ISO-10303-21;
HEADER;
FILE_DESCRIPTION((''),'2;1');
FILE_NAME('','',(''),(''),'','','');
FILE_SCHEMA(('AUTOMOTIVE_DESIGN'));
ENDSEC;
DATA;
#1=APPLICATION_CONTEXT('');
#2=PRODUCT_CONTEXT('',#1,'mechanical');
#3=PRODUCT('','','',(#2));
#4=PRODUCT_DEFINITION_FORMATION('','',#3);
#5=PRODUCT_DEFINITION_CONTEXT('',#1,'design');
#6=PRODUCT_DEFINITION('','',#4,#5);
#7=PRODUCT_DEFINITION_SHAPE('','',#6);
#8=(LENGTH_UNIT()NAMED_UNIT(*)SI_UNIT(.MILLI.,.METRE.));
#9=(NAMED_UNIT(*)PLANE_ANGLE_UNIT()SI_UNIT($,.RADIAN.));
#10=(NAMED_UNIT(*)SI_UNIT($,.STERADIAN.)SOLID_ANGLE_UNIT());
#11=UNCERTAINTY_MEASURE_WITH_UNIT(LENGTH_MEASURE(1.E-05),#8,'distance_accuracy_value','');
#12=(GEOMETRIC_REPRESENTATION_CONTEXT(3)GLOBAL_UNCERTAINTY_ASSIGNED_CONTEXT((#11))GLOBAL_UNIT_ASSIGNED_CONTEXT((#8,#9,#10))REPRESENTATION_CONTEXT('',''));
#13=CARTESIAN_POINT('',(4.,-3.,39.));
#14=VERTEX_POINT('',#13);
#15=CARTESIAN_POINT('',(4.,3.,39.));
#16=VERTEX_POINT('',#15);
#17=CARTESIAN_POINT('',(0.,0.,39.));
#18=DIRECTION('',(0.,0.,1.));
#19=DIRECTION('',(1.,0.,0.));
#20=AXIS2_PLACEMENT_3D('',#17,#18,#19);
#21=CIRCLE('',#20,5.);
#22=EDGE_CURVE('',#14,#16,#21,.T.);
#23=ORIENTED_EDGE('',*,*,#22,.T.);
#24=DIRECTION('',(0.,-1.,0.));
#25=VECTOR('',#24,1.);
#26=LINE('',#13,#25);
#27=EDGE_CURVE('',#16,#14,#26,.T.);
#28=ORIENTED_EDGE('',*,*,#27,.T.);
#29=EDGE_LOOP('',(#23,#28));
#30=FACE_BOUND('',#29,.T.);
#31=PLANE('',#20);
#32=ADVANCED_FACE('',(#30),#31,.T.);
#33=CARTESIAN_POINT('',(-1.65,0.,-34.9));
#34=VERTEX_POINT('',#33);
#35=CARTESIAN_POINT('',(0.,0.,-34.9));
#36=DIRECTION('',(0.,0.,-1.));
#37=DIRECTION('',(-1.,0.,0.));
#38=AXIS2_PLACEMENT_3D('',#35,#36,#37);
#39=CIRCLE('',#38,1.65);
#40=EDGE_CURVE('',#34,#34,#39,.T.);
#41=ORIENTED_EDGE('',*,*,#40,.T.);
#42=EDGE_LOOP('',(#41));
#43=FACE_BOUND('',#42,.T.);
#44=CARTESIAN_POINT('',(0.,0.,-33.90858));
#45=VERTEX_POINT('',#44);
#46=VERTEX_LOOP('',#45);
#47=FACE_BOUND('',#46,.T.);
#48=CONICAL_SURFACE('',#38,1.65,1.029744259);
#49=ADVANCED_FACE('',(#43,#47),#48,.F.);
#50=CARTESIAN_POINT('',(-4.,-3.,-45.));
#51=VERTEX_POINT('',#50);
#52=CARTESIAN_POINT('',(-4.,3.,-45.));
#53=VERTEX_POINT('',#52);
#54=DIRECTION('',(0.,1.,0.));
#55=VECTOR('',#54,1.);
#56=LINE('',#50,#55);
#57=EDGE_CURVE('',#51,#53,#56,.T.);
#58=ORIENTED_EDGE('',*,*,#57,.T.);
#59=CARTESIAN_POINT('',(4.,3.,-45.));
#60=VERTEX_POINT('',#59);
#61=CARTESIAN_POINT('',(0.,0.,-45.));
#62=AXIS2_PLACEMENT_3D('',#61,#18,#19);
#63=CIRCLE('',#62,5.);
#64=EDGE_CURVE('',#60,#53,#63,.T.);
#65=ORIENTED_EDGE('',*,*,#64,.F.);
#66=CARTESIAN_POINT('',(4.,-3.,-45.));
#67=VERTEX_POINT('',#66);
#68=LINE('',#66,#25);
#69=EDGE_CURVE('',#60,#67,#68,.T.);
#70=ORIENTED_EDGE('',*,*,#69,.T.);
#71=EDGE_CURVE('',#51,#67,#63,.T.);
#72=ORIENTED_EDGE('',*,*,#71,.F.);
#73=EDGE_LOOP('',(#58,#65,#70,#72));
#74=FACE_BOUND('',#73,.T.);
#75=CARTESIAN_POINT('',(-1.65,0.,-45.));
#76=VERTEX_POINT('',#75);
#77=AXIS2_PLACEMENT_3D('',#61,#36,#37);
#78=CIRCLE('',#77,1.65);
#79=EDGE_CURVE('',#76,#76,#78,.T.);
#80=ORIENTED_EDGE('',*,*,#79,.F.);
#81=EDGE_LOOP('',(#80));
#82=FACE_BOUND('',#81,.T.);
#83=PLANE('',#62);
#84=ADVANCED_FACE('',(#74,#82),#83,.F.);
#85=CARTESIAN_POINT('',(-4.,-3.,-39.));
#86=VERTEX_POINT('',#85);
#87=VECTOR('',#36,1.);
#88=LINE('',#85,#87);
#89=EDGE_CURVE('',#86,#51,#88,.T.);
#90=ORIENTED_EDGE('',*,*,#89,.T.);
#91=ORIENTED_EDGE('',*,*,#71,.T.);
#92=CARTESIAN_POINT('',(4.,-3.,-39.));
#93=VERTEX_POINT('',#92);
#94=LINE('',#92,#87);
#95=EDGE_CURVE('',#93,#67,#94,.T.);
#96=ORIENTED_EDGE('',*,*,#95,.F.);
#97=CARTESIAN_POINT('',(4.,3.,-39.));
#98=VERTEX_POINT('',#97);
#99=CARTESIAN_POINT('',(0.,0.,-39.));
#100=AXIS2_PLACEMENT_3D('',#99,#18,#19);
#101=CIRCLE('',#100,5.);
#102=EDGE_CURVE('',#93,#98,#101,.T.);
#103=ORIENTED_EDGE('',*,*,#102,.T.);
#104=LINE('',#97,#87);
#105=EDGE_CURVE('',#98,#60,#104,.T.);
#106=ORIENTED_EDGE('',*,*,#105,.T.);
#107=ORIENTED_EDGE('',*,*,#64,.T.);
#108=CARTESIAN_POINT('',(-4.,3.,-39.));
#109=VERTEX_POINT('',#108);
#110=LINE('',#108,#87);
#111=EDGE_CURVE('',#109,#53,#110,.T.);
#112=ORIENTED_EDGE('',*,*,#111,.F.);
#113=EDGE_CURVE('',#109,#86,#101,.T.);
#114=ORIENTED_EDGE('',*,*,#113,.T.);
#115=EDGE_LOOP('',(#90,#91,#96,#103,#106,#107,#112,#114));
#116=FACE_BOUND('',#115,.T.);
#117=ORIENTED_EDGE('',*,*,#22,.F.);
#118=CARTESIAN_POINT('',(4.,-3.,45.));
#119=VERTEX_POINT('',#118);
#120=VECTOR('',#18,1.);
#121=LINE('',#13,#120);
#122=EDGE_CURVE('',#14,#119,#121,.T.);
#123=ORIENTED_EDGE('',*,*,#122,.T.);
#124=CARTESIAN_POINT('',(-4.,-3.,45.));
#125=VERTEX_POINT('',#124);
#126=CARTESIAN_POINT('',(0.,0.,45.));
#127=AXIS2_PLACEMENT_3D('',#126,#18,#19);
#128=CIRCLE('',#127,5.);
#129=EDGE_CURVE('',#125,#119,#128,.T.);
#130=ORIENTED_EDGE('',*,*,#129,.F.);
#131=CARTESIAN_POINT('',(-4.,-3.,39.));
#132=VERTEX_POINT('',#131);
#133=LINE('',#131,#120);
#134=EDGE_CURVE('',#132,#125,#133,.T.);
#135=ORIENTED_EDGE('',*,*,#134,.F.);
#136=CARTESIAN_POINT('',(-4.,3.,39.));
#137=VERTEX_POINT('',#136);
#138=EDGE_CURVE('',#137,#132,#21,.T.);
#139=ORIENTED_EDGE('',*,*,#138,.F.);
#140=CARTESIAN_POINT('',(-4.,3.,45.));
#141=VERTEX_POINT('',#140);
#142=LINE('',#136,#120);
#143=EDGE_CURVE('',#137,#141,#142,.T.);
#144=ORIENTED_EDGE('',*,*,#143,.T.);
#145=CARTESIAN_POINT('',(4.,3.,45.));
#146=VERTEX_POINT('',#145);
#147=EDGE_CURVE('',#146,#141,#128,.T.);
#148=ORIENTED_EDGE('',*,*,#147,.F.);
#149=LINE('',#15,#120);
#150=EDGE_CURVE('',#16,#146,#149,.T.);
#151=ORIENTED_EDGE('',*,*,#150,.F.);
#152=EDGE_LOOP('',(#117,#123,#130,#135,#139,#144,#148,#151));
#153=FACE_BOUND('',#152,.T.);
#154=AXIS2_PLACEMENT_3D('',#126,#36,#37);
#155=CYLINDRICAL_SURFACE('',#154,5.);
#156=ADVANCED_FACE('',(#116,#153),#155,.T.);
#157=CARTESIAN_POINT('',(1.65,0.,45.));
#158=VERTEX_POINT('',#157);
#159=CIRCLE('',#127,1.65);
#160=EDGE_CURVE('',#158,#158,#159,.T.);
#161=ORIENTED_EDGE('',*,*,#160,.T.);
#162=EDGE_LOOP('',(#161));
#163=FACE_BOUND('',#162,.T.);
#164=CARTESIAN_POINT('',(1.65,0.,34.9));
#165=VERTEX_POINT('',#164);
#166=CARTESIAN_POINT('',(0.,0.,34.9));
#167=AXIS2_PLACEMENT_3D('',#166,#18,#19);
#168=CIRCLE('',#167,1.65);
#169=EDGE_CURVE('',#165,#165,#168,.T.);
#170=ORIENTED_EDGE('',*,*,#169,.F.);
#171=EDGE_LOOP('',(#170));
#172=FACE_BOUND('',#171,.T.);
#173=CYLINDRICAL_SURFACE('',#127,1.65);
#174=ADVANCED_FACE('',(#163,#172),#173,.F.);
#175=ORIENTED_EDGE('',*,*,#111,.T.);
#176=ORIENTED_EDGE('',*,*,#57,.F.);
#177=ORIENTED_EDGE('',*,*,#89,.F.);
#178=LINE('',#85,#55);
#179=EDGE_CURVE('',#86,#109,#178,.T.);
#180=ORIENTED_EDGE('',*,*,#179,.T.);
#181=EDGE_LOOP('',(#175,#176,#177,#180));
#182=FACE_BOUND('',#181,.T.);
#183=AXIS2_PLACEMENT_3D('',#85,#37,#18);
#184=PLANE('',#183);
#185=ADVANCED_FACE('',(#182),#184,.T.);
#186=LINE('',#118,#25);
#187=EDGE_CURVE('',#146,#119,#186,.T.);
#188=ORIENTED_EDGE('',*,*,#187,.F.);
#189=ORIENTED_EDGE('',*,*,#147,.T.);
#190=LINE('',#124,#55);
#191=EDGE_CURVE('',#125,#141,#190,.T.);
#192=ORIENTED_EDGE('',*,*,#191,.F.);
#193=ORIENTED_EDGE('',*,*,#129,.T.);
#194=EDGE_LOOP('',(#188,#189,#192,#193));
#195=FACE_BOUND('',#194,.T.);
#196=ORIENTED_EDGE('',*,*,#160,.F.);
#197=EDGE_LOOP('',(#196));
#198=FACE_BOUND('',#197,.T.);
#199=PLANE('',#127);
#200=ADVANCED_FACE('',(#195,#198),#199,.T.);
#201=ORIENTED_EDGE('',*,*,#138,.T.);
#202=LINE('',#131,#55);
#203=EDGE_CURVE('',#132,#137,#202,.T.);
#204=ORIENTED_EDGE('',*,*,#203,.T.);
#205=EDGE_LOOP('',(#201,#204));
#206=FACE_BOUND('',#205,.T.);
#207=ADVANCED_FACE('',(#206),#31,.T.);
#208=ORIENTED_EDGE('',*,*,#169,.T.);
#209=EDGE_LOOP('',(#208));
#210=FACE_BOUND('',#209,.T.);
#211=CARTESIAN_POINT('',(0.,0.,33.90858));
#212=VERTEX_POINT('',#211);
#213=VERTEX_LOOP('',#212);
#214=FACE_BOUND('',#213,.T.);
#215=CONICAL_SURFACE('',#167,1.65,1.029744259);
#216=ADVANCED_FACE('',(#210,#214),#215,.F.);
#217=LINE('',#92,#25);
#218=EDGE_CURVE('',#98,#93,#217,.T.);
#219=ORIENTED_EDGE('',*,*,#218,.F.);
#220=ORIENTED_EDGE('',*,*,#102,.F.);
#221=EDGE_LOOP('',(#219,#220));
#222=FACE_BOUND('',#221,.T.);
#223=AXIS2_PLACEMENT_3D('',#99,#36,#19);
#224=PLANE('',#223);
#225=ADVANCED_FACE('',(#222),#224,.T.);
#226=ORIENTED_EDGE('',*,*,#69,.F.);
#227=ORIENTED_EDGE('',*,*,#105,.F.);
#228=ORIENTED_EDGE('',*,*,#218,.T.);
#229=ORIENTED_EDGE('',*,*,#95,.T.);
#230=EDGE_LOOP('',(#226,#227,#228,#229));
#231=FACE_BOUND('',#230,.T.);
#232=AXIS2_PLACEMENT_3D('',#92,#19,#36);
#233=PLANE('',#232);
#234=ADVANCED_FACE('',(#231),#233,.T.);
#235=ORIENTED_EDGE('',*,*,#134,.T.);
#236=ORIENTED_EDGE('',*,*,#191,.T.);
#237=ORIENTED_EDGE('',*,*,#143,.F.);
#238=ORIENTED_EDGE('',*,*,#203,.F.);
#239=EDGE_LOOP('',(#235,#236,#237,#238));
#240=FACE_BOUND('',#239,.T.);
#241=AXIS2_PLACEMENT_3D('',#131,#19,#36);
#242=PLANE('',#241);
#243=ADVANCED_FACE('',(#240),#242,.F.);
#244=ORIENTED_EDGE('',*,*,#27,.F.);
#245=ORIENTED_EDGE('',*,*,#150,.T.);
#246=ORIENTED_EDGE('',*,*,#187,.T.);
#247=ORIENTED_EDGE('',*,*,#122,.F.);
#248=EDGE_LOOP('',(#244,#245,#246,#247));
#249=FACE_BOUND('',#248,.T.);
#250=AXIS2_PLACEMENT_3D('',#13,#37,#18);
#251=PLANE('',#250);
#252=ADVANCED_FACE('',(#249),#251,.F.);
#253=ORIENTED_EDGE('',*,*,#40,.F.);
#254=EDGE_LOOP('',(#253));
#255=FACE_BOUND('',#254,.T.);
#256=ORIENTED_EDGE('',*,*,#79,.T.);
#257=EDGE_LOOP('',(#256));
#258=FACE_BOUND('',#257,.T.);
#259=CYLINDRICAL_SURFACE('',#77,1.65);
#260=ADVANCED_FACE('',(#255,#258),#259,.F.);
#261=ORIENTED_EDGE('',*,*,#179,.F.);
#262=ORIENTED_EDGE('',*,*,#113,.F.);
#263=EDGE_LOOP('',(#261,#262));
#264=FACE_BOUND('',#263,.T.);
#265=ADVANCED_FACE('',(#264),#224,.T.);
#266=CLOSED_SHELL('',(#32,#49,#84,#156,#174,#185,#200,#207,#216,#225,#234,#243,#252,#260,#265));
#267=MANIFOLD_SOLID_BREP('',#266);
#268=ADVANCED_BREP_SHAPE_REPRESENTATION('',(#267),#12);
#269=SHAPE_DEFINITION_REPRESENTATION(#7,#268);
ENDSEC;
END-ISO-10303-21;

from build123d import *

# Parameters (mm, degrees)
SKETCH_1_R          = 5
EXTRUDE_1_DEPTH     = 45
CUT_EXTRUDE_1_DEPTH = 6


with BuildPart() as part:
    # 草图1 → 凸台-拉伸1 (new, symmetric)
    with BuildSketch(Plane.XY):
        with Locations(Location((0, 0, 0), (0, 0, 180))):
            Circle(SKETCH_1_R)
    extrude(amount=EXTRUDE_1_DEPTH, both=True)

    # 草图2 → 切除-拉伸1 (cut)
    with BuildSketch(Plane.XY.offset(45)):
        with BuildLine():
            Line((-4, -3), (-4, 3))
            ThreePointArc((-4, 3), (-5, 0), (-4, -3))
        make_face()
        with BuildLine():
            Line((4, -3), (4, 3))
            ThreePointArc((4, 3), (5, 0), (4, -3))
        make_face()
    cut_extrude_1 = extrude(amount=-CUT_EXTRUDE_1_DEPTH, mode=Mode.SUBTRACT)

    # 草图3 → M4 螺纹孔1 (revolve, cut)
    with BuildSketch(Plane(origin=(0, 0, 45), x_dir=(0, -1, 0), z_dir=(1, 0, 0))):
        Polygon((0, 0), (0, 11.091420021), (1.65, 10.1), (1.65, 0), align=None)
    hole_wizard_m4_1 = revolve(axis=Axis((0, 0, 51.35), (0, 0, -1)), mode=Mode.SUBTRACT)

    # 镜向1: 切除-拉伸1, M4 螺纹孔1 across plane
    add(cut_extrude_1.mirror(Plane.XY), mode=Mode.SUBTRACT)
    add(hole_wizard_m4_1.mirror(Plane.XY), mode=Mode.SUBTRACT)


solid = part.part
